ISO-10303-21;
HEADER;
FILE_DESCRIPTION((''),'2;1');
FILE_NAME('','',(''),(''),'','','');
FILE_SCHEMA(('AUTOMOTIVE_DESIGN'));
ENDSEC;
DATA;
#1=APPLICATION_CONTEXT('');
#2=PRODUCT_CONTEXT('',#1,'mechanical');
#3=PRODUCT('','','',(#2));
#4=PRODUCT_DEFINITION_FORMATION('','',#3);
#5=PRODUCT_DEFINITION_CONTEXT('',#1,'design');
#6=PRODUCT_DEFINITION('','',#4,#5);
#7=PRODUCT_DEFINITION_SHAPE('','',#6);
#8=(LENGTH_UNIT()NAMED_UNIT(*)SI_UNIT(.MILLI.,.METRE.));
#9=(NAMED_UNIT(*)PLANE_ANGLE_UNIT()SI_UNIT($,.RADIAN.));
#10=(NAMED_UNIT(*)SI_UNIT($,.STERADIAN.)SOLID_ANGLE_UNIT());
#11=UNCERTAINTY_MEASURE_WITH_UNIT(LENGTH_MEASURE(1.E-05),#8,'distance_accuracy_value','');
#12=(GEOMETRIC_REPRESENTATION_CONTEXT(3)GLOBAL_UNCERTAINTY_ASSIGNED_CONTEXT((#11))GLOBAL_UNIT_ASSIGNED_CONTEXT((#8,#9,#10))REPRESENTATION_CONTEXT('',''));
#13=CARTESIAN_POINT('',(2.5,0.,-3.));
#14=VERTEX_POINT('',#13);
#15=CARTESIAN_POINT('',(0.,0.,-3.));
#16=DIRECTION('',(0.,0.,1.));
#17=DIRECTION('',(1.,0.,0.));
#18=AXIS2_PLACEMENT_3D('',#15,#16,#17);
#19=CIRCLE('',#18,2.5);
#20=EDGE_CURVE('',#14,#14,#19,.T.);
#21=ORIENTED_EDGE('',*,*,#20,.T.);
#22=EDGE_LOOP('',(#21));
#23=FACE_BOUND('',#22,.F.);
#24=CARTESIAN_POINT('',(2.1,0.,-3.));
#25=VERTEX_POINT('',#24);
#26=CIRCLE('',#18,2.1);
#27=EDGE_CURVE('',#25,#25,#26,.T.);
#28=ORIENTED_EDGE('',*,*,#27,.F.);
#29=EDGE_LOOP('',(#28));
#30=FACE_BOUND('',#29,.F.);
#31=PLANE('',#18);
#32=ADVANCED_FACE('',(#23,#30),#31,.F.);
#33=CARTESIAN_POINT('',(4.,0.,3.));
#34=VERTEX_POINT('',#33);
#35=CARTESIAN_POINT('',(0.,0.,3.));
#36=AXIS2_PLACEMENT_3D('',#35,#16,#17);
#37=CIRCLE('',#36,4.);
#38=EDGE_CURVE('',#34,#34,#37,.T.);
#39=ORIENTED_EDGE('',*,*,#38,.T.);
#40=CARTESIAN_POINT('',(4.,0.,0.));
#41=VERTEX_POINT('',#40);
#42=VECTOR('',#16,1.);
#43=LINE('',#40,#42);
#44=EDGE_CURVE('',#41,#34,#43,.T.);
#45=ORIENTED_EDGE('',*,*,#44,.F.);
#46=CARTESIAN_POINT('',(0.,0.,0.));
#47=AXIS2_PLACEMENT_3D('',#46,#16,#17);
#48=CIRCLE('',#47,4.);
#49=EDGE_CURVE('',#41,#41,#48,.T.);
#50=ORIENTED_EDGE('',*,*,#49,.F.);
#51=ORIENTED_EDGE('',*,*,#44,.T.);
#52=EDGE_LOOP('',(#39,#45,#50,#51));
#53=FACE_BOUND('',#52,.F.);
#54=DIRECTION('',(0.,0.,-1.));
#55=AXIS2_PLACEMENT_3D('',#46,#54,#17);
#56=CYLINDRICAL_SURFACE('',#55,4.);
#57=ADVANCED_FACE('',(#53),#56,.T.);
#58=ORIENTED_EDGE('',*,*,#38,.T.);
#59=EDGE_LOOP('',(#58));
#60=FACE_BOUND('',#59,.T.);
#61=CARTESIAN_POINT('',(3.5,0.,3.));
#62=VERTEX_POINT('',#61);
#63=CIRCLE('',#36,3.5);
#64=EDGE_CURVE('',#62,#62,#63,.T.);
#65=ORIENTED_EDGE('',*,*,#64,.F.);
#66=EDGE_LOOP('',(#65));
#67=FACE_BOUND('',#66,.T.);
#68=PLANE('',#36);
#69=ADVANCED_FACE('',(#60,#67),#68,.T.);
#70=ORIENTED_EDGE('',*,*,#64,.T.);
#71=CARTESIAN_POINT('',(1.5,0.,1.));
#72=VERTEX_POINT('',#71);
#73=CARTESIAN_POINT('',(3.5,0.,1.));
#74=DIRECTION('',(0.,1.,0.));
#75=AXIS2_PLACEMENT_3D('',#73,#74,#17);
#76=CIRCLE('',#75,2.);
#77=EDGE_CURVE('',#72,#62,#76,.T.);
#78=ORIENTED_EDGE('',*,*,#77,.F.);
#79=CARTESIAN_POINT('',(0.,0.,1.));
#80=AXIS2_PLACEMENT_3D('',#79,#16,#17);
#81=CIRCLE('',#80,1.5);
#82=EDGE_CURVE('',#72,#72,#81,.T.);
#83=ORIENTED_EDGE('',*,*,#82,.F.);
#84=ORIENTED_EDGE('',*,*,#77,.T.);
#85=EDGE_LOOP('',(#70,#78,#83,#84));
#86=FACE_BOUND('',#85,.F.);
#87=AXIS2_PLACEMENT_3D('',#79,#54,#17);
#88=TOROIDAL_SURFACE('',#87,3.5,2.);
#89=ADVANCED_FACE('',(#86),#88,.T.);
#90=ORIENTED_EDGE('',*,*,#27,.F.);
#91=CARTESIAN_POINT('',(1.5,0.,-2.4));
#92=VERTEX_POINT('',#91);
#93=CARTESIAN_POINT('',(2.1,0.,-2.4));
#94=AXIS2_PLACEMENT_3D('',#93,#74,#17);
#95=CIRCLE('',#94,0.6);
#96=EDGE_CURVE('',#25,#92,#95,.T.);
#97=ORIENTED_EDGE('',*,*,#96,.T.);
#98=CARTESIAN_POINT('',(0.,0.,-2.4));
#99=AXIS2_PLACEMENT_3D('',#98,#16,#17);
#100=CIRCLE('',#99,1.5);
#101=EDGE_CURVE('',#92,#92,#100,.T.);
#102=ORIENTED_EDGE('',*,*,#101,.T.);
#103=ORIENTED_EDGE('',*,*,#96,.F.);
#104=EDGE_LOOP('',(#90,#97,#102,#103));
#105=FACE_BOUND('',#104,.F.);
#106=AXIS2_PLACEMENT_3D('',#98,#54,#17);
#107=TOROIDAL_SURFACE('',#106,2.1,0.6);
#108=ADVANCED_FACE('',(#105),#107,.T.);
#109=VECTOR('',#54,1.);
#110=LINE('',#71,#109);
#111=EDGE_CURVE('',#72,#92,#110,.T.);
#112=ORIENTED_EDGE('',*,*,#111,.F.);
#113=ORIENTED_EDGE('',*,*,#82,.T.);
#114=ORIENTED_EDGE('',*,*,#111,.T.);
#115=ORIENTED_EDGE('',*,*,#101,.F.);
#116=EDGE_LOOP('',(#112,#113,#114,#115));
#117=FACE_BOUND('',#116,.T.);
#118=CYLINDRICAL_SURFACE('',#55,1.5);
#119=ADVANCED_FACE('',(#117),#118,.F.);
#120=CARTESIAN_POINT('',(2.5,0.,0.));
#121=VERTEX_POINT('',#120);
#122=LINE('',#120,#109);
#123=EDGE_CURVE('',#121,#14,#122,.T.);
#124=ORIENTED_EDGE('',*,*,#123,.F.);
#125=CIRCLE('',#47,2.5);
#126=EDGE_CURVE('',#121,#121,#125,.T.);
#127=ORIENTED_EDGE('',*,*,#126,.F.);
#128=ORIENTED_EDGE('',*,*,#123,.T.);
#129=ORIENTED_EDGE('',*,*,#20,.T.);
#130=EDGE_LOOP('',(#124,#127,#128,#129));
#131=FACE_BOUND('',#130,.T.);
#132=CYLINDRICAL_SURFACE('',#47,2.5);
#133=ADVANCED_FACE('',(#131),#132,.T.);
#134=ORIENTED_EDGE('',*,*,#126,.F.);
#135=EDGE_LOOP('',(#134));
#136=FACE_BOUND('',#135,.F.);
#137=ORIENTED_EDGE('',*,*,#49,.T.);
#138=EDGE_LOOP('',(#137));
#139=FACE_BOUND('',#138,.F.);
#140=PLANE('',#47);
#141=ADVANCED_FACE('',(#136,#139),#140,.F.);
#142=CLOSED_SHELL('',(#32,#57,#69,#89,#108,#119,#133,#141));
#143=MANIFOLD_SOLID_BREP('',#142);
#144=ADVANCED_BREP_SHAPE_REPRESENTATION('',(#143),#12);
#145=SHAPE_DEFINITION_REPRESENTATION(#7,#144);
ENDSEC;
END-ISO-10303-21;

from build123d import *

# Parameters (mm, degrees)
F0_R     = 4
F0_R_2   = 2.5
F0_R_3   = 1.5
F1_DEPTH = 3
F2_DEPTH = 3
F3_R     = 0.6
F4_R     = 2


with BuildPart() as f1:
    # F0 (on Top) → F1 (new body)
    with BuildSketch(Plane.XY):
        Circle(F0_R)
        Circle(F0_R_2, mode=Mode.SUBTRACT)
        Circle(F0_R_2)
        Circle(F0_R_3, mode=Mode.SUBTRACT)
    extrude(amount=F1_DEPTH)

    # F0 (on Top) → F2 (join)
    with BuildSketch(Plane.XY):
        Circle(F0_R_2)
        Circle(F0_R_3, mode=Mode.SUBTRACT)
    extrude(amount=-F2_DEPTH)

    # F3
    f3_edges = [f1.edges().sort_by_distance(p)[0] for p in [
        (-1.5, 0, -3),
    ]]
    fillet(f3_edges, radius=F3_R)

    # F4
    f4_edges = [f1.edges().sort_by_distance(p)[0] for p in [
        (-1.5, 0, 3),
    ]]
    fillet(f4_edges, radius=F4_R)


solid = f1.part
